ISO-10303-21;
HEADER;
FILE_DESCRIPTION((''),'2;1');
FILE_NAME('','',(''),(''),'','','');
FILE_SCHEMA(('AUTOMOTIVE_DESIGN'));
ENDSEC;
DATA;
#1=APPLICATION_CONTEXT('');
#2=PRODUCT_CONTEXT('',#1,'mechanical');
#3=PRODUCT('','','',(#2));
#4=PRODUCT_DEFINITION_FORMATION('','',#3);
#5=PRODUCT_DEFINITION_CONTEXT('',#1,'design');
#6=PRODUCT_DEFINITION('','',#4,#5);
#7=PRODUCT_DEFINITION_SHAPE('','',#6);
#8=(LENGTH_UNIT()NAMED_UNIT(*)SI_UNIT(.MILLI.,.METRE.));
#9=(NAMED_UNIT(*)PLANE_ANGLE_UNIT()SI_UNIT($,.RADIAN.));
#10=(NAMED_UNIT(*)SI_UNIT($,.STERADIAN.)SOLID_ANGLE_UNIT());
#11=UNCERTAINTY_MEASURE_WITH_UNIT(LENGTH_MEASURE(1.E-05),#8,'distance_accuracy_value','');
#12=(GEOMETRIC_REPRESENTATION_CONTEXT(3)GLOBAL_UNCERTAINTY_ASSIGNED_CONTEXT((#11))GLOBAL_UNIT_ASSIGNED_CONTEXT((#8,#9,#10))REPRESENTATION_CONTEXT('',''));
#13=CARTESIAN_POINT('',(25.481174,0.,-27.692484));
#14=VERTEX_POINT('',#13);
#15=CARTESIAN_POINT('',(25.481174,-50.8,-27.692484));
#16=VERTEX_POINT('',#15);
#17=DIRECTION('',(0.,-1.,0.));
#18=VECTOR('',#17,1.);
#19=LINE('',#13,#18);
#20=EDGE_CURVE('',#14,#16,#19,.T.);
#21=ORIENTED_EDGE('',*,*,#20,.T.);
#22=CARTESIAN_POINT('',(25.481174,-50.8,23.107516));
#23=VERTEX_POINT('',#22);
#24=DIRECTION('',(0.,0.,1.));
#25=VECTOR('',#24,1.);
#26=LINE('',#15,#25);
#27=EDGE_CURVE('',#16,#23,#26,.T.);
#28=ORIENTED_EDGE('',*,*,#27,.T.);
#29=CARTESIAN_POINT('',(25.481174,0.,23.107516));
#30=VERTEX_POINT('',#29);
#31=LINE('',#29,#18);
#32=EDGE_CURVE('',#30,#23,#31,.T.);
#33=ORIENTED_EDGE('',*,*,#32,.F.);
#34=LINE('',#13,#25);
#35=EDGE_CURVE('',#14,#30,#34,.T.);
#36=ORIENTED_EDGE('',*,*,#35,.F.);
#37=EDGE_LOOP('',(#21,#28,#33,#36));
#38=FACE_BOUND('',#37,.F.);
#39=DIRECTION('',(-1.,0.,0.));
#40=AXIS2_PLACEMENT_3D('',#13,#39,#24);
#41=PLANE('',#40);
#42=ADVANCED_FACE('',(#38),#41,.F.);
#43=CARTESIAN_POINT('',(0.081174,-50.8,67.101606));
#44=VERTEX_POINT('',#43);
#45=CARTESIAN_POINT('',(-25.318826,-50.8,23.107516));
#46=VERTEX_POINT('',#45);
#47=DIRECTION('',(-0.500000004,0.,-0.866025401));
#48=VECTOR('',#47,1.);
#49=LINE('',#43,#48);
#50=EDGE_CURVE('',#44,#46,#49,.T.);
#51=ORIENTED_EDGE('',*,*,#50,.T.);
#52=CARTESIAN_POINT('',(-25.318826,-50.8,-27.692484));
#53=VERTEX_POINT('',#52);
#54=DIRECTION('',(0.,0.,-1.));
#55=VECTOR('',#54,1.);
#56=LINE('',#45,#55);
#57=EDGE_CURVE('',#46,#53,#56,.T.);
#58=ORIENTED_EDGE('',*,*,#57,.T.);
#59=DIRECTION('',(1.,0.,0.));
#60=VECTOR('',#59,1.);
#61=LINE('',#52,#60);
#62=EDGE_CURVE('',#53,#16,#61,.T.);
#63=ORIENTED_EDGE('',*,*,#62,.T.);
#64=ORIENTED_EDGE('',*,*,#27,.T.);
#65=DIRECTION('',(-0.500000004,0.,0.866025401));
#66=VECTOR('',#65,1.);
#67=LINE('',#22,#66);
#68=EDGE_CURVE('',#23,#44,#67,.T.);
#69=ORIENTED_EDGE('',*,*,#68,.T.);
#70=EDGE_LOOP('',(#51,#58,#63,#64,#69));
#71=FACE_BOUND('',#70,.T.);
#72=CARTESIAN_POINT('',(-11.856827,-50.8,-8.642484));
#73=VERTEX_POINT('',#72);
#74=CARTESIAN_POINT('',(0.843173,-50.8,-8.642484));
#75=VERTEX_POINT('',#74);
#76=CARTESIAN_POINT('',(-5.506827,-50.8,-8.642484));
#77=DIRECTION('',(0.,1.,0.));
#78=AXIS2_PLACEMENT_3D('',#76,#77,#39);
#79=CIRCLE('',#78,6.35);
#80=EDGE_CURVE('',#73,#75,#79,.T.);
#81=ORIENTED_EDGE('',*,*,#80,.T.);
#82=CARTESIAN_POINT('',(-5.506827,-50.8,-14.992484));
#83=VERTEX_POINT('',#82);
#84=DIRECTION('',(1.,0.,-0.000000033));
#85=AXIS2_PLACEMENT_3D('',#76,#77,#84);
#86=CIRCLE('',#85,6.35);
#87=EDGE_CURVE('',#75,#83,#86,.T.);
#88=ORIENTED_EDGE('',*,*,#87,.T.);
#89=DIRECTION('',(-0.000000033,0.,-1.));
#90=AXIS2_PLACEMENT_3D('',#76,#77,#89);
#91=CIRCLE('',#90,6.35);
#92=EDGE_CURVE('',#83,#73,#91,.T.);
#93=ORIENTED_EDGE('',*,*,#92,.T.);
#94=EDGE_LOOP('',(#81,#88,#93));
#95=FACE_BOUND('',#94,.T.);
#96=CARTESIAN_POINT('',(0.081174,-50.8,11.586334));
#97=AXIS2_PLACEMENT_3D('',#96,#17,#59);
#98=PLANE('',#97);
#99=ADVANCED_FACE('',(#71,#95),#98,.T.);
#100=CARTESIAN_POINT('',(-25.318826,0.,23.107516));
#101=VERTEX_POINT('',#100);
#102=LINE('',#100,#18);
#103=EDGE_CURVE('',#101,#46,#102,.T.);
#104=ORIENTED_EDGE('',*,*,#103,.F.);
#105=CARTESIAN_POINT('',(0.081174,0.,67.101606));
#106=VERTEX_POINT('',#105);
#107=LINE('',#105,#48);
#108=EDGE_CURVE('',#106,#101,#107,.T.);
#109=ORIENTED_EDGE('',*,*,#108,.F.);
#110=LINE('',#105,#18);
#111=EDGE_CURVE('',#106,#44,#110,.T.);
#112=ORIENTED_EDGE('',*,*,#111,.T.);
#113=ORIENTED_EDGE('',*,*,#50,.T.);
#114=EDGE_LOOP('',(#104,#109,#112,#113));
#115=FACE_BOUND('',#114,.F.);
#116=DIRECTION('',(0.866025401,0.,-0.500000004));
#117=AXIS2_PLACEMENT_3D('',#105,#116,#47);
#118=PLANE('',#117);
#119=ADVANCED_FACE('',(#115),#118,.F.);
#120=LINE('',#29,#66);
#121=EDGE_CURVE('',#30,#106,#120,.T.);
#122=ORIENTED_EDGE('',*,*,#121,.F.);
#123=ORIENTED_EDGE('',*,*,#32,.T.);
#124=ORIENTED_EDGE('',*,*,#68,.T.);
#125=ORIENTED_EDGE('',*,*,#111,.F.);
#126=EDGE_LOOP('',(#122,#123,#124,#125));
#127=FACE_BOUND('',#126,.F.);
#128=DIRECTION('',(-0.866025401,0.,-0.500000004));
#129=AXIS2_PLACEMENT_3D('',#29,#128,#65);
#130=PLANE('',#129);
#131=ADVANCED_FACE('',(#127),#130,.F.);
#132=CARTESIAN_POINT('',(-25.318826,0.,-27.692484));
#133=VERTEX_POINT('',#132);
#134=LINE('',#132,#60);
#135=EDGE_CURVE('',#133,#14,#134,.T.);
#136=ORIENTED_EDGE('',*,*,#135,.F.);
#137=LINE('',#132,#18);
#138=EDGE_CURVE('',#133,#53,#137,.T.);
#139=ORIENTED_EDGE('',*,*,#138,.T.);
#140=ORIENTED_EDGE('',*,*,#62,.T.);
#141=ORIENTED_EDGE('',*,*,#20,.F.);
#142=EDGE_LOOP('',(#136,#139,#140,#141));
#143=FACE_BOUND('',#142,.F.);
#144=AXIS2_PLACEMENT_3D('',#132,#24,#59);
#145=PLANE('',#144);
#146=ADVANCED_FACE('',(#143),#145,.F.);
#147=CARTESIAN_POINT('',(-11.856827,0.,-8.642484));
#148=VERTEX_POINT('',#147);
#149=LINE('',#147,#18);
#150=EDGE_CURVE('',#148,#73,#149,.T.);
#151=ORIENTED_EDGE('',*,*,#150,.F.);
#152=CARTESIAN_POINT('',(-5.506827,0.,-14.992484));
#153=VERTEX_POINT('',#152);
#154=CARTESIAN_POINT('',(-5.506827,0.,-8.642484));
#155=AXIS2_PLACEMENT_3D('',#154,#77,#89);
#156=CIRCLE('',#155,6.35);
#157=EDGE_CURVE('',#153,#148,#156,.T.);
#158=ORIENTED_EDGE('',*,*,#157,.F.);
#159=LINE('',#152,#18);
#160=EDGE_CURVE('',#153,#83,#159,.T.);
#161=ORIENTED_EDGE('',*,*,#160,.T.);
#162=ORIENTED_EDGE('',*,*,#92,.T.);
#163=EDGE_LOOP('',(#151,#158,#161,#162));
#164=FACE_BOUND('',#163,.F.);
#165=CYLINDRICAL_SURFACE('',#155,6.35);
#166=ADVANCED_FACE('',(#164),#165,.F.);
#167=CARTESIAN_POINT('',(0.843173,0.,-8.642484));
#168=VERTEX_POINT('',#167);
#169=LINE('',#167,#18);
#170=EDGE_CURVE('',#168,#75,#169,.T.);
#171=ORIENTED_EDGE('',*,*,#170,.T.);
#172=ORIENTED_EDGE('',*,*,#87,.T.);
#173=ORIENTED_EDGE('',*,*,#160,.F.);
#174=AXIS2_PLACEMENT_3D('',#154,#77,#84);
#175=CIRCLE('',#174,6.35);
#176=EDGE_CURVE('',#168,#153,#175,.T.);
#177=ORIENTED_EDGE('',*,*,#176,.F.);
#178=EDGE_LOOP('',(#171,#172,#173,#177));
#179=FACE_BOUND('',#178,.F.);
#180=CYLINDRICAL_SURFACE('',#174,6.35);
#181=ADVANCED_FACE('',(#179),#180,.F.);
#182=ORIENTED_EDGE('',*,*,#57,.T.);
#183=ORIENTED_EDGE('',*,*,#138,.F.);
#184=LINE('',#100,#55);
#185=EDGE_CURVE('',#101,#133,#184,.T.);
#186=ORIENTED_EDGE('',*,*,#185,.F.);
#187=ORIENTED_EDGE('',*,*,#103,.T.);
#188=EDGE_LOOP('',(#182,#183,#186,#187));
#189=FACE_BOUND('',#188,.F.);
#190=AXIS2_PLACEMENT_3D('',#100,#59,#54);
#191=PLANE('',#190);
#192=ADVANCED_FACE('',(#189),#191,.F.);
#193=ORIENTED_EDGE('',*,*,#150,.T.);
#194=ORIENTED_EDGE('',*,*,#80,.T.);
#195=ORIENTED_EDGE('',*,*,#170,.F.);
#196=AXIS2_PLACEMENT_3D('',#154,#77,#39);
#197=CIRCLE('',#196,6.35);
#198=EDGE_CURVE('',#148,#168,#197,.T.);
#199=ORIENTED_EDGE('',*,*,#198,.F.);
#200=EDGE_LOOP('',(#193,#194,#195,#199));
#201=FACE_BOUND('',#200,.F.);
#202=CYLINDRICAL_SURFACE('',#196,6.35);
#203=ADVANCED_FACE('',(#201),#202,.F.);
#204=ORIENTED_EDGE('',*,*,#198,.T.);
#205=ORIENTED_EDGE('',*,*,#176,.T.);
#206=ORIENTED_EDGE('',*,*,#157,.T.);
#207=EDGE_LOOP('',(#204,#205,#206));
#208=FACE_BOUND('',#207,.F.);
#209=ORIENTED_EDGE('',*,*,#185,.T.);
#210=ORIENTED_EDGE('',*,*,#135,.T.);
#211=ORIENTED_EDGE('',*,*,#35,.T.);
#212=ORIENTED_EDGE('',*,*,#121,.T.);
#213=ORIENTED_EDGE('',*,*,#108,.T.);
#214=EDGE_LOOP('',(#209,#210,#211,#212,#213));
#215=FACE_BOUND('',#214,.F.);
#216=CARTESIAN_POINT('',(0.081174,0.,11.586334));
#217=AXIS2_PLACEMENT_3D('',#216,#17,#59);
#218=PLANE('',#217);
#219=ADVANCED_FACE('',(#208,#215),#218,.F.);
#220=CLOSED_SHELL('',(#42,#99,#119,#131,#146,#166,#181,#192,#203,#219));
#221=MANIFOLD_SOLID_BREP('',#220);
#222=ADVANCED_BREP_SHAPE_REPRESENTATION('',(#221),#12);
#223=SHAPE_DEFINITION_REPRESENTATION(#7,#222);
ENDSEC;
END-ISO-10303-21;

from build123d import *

# Parameters (mm, degrees)
F1_DEPTH = 50.8


with BuildPart() as f1:
    # F0 (on Front) → F1 (new body)
    with BuildSketch(Plane.XZ):
        Polygon((-25.318826, 23.107516), (-25.318826, -27.692484), (-5.506827, -27.692484), (25.481174, -27.692484), (25.481174, 23.107516), (0.081174, 67.101606), align=None)
        with BuildLine():
            ThreePointArc((0.843173, -8.642484), (-1.016699, -13.132612), (-5.506827, -14.992484))
            ThreePointArc((-5.506827, -14.992484), (-9.996955, -13.132612), (-11.856827, -8.642484))
            ThreePointArc((-11.856827, -8.642484), (-5.506827, -2.292484), (0.843173, -8.642484))
        make_face(mode=Mode.SUBTRACT)
    extrude(amount=F1_DEPTH)


solid = f1.part
